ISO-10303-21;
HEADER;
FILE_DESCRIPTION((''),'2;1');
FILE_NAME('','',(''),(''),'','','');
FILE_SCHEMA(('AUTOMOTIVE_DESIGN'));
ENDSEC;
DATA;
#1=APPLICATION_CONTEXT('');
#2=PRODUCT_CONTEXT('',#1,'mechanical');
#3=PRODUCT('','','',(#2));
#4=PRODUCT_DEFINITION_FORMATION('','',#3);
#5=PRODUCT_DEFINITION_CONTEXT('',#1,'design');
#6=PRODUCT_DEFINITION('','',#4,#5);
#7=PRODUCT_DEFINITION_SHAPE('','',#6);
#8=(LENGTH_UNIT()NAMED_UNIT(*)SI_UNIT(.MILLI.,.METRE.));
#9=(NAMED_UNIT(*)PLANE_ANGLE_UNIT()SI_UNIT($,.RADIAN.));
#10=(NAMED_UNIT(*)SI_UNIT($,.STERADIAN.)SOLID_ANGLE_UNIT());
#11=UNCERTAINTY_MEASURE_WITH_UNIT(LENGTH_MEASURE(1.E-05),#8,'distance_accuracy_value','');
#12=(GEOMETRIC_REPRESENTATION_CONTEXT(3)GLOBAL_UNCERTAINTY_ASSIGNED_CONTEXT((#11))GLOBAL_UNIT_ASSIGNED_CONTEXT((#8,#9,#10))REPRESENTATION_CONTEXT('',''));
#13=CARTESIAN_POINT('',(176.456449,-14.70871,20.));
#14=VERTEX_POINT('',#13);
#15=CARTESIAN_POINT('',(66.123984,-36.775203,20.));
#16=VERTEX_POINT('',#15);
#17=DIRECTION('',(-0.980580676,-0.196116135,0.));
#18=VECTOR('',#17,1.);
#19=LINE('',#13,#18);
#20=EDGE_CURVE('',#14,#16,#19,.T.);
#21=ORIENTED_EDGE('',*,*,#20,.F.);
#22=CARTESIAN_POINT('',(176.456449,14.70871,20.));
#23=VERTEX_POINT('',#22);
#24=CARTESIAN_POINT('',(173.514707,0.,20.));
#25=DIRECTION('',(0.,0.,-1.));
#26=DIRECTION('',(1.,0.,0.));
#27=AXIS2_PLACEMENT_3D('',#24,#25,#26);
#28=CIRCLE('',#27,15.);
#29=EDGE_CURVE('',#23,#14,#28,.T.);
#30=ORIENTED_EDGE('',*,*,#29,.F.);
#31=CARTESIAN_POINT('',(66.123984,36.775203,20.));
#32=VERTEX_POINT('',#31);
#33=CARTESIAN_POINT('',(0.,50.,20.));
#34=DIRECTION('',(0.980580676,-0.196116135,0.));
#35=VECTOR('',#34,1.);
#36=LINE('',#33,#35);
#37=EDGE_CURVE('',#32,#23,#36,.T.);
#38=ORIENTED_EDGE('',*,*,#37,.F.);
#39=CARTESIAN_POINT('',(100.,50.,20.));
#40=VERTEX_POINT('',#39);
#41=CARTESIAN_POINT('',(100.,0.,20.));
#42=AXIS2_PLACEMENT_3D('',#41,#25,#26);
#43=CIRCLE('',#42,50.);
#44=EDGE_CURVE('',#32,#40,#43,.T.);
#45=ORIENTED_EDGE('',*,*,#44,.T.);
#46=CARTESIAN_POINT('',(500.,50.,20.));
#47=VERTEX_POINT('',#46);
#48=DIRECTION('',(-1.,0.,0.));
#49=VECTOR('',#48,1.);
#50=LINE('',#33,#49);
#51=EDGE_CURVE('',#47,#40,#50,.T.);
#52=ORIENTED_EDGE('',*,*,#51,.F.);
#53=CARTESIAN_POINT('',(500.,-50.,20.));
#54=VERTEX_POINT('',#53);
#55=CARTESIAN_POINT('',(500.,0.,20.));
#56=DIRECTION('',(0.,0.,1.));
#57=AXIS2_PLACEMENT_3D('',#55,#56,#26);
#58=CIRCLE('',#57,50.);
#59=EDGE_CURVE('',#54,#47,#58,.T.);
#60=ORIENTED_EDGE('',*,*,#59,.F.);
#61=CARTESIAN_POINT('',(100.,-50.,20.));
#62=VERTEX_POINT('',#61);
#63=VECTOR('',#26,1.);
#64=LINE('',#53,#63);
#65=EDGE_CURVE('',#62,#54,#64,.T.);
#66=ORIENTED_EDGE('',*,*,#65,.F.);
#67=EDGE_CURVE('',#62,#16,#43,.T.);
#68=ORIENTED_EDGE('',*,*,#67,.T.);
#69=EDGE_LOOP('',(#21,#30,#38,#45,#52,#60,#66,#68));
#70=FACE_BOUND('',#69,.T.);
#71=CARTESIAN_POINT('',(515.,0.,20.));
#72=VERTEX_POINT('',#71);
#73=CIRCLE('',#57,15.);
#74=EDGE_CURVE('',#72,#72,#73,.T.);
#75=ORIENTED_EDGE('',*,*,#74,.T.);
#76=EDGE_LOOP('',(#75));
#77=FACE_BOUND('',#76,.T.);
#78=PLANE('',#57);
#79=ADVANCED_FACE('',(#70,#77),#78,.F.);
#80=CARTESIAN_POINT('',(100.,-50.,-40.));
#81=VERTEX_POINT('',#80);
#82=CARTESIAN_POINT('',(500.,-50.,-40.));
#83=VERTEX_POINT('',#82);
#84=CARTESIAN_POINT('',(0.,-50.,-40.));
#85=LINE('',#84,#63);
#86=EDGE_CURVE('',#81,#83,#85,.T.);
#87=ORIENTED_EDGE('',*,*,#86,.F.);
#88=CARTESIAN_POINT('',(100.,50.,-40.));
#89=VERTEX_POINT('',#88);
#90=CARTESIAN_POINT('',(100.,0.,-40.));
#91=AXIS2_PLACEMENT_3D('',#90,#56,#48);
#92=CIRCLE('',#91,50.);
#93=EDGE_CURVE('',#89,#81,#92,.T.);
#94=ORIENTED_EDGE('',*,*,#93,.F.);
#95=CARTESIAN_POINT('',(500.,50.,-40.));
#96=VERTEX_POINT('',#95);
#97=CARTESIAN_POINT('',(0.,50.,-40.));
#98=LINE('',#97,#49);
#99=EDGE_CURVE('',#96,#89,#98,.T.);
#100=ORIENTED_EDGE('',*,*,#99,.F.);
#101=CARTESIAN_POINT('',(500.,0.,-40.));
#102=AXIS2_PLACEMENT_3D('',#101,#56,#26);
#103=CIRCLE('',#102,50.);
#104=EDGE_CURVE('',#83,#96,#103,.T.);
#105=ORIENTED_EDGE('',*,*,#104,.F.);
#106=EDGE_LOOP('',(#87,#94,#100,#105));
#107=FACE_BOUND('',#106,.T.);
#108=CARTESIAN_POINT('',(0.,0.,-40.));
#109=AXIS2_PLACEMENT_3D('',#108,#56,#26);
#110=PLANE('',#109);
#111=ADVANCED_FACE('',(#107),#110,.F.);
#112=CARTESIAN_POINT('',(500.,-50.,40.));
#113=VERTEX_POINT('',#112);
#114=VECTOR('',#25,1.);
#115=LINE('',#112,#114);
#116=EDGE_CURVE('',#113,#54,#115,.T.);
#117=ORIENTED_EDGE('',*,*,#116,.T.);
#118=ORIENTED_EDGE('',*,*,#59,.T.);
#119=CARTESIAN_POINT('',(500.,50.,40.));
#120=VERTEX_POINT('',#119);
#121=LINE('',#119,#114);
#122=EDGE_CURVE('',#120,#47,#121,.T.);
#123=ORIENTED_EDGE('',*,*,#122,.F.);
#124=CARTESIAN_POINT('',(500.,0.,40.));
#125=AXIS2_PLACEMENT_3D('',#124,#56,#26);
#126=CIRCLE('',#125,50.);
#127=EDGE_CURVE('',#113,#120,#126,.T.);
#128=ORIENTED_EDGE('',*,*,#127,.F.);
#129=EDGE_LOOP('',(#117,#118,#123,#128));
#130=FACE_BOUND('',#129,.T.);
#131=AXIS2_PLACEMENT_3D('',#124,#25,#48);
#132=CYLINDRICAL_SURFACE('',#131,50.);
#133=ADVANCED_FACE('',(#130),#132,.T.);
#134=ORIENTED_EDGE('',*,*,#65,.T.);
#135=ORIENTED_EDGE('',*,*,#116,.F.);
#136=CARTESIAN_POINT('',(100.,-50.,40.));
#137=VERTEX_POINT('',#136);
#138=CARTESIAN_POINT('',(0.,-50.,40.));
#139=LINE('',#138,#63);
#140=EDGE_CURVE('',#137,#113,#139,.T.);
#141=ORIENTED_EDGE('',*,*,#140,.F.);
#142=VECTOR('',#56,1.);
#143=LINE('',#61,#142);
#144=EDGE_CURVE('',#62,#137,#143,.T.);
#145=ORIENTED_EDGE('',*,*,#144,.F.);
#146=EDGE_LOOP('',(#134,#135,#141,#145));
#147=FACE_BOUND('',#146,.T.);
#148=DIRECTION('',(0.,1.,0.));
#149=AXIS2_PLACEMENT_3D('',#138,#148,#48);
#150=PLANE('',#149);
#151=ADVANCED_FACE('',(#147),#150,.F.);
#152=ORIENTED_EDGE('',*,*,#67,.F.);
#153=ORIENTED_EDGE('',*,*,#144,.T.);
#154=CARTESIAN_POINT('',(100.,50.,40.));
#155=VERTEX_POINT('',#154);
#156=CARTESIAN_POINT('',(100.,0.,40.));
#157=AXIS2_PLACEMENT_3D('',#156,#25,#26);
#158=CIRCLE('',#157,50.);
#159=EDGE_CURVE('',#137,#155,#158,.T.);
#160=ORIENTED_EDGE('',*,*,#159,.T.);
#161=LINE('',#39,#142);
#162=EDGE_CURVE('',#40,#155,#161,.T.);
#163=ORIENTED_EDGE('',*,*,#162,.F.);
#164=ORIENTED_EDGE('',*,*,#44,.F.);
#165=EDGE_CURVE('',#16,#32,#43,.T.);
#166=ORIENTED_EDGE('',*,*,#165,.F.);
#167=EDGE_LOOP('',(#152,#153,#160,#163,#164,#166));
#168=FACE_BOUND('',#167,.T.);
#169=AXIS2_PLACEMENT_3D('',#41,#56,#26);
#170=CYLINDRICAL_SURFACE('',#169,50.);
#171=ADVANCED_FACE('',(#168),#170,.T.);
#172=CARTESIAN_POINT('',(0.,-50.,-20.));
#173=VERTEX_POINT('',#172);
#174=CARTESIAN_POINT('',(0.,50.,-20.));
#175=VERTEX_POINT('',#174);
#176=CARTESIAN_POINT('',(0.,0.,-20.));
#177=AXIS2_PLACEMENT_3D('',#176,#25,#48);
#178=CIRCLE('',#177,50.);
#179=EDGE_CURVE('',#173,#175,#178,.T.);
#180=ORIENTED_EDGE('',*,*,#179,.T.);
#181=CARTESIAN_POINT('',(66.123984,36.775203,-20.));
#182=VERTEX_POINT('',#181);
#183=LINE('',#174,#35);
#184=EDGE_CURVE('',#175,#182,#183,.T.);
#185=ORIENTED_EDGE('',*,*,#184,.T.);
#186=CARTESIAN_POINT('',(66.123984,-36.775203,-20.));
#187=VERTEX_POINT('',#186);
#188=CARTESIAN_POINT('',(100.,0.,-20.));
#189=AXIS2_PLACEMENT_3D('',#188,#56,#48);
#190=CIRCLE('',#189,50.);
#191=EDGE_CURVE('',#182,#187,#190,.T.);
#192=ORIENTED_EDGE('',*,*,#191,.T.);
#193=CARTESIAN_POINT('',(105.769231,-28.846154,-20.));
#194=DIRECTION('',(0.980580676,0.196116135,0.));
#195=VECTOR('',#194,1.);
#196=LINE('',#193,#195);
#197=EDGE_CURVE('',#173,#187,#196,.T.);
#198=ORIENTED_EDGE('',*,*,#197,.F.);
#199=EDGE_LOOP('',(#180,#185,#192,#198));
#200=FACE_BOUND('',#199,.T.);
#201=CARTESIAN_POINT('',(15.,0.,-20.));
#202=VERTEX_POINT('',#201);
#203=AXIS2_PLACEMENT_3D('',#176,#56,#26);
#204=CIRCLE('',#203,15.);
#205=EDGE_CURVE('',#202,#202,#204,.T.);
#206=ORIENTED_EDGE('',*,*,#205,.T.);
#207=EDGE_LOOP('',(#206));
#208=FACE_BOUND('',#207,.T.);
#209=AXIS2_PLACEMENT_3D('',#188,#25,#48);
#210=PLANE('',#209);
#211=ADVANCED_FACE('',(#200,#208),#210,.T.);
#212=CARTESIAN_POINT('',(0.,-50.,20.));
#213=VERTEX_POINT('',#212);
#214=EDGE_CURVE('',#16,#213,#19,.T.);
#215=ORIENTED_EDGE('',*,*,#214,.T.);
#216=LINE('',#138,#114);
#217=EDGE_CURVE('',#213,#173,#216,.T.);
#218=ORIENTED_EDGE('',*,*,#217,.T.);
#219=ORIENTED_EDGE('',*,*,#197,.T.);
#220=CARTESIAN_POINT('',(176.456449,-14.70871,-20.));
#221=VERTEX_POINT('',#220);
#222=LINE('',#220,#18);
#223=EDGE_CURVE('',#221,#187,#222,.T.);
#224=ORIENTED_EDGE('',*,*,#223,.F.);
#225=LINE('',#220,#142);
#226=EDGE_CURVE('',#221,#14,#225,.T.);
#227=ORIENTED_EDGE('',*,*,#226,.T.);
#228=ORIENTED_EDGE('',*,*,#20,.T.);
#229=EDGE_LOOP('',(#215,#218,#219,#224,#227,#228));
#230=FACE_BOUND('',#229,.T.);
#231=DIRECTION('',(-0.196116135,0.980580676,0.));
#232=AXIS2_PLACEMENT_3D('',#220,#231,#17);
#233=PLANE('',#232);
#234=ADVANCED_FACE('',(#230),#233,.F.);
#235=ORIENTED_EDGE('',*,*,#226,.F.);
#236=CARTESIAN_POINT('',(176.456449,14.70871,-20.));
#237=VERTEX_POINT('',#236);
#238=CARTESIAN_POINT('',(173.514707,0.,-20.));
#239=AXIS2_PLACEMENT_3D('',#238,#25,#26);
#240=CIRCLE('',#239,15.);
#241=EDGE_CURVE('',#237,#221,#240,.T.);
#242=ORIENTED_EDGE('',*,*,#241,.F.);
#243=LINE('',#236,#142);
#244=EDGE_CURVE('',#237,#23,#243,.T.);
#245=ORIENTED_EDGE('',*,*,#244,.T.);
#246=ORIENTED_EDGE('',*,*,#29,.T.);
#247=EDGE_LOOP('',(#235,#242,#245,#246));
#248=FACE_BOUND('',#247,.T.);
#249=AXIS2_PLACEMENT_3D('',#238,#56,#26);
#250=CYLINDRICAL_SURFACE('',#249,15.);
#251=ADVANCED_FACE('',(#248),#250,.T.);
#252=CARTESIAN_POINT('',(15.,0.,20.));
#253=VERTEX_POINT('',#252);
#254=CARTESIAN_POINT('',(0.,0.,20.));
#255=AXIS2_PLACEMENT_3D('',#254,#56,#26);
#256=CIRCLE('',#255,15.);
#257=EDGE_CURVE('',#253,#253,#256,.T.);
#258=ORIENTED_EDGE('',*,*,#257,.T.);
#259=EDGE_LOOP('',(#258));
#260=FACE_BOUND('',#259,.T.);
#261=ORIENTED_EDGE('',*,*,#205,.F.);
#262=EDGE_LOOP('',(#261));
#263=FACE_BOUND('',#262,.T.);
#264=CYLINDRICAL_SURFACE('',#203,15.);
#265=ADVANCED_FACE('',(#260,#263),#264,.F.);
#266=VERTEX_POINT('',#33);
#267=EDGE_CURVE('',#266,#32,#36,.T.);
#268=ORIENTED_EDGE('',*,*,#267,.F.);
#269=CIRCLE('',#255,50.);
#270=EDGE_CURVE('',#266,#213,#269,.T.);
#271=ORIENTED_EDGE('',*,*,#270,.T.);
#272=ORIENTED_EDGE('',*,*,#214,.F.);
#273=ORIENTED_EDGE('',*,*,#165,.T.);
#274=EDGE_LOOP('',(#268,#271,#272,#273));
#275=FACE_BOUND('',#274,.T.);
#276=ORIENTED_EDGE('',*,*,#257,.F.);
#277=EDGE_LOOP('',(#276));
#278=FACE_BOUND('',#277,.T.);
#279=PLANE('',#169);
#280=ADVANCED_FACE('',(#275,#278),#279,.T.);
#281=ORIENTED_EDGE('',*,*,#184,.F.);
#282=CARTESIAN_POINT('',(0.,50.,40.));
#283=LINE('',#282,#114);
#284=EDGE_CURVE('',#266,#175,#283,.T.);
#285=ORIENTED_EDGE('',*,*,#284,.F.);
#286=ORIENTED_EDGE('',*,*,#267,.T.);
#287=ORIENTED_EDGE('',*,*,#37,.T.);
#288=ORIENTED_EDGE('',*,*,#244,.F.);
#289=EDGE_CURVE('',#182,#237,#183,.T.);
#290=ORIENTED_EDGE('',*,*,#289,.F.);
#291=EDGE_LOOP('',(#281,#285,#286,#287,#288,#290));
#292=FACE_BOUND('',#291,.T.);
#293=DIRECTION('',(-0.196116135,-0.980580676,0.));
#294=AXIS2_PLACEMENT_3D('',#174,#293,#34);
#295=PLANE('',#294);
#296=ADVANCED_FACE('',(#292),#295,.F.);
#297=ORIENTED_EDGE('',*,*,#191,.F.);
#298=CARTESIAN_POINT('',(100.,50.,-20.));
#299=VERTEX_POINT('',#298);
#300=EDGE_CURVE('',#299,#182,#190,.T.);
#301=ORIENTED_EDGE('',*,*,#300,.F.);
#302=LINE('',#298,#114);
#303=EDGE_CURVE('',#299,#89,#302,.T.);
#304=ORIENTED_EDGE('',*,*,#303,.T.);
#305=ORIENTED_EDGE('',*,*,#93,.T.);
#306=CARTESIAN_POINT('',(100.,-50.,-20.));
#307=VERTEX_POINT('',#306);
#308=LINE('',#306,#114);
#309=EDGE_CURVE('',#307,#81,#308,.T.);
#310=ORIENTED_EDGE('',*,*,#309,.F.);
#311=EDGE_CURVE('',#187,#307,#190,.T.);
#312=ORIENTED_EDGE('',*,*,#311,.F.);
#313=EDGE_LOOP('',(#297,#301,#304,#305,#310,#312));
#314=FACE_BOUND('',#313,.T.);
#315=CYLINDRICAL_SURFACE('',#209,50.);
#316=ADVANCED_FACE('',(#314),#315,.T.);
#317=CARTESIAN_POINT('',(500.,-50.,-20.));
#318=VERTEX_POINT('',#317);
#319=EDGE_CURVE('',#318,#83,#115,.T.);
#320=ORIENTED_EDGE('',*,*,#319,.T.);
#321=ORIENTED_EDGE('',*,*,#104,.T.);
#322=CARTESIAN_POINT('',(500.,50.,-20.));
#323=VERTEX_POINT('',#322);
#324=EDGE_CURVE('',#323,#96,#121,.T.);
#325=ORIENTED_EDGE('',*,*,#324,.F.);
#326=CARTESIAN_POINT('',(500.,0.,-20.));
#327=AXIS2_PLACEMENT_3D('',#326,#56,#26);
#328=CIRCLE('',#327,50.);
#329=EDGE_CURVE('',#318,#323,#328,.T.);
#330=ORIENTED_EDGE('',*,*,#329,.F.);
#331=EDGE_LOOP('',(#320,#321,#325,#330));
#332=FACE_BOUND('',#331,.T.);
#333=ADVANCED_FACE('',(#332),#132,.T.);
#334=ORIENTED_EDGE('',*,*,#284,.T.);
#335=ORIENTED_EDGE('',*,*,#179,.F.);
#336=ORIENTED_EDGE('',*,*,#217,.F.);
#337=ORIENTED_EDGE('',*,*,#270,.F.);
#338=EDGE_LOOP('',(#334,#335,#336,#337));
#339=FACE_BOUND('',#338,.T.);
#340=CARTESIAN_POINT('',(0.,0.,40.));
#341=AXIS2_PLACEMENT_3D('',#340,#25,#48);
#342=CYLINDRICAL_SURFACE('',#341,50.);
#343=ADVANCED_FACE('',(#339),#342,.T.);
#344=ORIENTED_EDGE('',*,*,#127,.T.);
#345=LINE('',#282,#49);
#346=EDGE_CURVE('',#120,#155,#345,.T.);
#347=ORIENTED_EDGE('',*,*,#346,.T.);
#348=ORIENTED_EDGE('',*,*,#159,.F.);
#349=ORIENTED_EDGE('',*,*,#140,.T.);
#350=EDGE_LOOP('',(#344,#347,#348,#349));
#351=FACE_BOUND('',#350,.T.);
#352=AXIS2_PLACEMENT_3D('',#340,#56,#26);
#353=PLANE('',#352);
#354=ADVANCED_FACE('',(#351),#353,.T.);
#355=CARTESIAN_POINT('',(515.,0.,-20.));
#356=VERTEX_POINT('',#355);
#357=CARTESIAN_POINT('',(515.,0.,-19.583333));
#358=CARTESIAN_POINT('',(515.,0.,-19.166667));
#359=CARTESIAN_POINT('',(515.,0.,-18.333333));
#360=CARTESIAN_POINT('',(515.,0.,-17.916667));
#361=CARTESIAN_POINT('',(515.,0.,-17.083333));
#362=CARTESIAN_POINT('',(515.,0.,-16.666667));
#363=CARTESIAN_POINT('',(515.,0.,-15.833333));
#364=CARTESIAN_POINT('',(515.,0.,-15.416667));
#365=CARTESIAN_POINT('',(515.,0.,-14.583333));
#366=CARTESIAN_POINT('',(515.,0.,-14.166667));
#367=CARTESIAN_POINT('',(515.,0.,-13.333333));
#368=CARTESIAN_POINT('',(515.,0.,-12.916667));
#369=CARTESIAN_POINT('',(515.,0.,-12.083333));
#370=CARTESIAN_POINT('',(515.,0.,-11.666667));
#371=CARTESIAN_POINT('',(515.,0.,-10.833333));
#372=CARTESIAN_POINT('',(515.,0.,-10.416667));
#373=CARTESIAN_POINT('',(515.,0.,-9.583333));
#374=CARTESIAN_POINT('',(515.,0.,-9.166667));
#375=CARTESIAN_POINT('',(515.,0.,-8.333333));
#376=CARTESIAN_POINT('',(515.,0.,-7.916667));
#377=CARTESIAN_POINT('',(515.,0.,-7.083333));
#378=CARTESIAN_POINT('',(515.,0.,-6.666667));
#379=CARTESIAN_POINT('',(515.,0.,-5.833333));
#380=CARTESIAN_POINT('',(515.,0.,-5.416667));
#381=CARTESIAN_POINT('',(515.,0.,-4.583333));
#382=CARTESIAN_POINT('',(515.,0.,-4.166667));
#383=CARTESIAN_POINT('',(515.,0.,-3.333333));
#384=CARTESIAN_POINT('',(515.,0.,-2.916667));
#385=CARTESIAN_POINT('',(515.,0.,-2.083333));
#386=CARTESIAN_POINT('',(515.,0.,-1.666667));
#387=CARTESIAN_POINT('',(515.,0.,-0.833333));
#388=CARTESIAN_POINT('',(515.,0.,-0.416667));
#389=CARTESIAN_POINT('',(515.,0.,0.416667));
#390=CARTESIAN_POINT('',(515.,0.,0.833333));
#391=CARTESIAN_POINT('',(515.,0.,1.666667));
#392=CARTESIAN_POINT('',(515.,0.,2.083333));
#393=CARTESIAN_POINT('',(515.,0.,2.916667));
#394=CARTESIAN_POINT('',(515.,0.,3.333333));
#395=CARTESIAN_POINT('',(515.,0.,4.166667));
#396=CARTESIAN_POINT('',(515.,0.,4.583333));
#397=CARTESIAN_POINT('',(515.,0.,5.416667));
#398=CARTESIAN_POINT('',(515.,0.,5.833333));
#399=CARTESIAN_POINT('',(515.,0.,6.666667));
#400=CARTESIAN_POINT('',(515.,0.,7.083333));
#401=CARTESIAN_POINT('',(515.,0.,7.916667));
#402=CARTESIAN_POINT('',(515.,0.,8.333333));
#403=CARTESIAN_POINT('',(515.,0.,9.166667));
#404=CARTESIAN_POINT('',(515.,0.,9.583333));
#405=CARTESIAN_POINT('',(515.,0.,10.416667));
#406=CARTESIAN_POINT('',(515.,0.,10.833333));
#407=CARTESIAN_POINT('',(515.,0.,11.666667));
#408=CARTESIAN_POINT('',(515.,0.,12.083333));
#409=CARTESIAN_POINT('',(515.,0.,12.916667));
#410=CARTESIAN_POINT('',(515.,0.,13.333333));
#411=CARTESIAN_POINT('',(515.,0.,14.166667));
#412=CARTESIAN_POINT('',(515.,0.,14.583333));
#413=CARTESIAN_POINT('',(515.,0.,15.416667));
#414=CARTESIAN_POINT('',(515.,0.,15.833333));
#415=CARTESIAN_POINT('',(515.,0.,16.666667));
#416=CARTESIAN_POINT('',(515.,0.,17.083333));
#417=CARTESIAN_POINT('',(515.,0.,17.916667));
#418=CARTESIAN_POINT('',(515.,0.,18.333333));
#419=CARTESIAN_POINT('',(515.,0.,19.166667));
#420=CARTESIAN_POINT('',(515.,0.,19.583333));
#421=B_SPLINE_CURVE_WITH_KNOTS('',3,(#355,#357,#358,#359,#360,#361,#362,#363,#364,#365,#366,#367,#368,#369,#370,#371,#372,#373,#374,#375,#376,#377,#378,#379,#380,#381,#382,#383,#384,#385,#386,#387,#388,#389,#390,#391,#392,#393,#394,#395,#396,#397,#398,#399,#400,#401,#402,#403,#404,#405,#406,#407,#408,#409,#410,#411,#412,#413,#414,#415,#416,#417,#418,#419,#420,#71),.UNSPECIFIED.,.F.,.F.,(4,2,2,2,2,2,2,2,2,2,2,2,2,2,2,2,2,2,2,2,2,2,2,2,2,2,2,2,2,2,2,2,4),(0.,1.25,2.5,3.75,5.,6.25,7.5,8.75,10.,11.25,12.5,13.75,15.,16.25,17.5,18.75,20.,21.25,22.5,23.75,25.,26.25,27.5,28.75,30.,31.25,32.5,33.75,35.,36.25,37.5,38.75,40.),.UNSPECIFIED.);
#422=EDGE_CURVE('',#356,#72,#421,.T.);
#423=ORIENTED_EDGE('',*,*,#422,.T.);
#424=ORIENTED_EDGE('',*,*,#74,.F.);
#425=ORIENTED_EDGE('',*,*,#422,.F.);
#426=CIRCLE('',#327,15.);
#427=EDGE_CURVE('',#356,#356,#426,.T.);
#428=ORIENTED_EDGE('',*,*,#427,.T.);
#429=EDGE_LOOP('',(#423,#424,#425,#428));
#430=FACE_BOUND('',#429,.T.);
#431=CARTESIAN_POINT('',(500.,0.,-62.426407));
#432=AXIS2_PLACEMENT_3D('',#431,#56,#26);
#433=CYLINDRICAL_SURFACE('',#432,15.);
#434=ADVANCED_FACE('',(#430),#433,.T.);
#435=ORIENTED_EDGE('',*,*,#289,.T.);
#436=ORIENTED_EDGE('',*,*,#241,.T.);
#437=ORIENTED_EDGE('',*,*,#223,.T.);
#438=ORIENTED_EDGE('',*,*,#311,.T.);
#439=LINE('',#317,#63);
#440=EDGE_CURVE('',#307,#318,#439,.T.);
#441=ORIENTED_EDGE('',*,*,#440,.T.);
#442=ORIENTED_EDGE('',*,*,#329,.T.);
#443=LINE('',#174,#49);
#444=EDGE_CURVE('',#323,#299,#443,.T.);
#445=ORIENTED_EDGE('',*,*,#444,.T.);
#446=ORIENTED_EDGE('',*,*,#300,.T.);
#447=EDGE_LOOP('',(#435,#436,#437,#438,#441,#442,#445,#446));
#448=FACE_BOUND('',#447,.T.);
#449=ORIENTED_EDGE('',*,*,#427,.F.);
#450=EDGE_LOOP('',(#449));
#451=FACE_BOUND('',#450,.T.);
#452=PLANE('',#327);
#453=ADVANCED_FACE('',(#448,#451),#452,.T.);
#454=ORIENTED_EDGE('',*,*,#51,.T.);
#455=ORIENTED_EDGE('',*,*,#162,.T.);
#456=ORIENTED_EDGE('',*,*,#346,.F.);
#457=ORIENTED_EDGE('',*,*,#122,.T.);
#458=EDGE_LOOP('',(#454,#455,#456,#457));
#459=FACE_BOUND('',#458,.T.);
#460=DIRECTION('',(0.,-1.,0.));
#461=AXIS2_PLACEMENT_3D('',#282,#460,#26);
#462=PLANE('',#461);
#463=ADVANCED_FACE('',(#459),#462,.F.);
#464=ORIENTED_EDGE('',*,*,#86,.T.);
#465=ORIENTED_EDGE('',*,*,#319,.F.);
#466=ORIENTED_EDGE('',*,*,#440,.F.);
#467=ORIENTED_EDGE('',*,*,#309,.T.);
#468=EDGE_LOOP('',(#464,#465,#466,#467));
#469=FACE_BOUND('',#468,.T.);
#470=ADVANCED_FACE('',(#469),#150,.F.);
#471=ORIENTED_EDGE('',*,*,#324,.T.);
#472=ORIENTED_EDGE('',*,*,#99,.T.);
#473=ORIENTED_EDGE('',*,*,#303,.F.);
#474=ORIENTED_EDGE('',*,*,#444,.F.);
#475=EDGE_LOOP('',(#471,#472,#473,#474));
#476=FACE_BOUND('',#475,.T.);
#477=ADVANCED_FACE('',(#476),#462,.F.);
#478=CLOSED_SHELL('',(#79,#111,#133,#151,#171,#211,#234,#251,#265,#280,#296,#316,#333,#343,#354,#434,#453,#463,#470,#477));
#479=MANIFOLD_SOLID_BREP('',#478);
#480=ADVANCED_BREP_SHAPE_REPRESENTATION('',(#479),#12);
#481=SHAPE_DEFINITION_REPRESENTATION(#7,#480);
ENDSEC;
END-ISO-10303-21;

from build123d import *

# Parameters (mm, degrees)
BOSS_EXTRUDE2_DEPTH = 40
CUT_EXTRUDE2_DEPTH  = 20
CUT_EXTRUDE3_START  = -20
CUT_EXTRUDE3_DEPTH  = 20
SKETCH9_R           = 15
CUT_EXTRUDE5_DEPTH  = 40
CUT_EXTRUDE6_DEPTH  = 20
SKETCH13_R          = 15
BOSS_EXTRUDE4_DEPTH = 60
SKETCH11_R          = 15
BOSS_EXTRUDE3_DEPTH = 80


with BuildPart() as part:
    # Sketch4 → Boss-Extrude2 (new, symmetric)
    with BuildSketch(Plane.XY):
        with BuildLine():
            Line((-250, 50), (250, 50))
            ThreePointArc((250, 50), (300, 0), (250, -50))
            Line((250, -50), (-250, -50))
            ThreePointArc((-250, -50), (-300, 0), (-250, 50))
        make_face()
    extrude(amount=BOSS_EXTRUDE2_DEPTH, both=True)

    # Sketch5 → Cut-Extrude2 (cut)
    with BuildSketch(Plane.XY.offset(40)):
        with BuildLine():
            Line((-150, 50), (-250, 50))
            ThreePointArc((-250, 50), (-300, 0), (-250, -50))
            Line((-250, -50), (-150, -50))
            ThreePointArc((-150, -50), (-200, 0), (-150, 50))
        make_face()
    extrude(amount=-CUT_EXTRUDE2_DEPTH, mode=Mode.SUBTRACT)

    # Sketch6 → Cut-Extrude3 (cut)
    with BuildSketch(Plane(origin=(0, 0, -40), x_dir=(-1, 0, 0), z_dir=(0, 0, -1)).offset(CUT_EXTRUDE3_START)):
        with BuildLine():
            Line((150, 50), (250, 50))
            ThreePointArc((250, 50), (300, 0), (250, -50))
            Line((250, -50), (150, -50))
            ThreePointArc((150, -50), (200, 0), (150, 50))
        make_face()
    extrude(amount=CUT_EXTRUDE3_DEPTH, mode=Mode.SUBTRACT)

    # Sketch9 → Cut-Extrude5 (cut)
    with BuildSketch(Plane.XY.offset(20)):
        with Locations((-250, 0)):
            Circle(SKETCH9_R)
    extrude(amount=-CUT_EXTRUDE5_DEPTH, mode=Mode.SUBTRACT)

    # Sketch10 → Cut-Extrude6 (cut, symmetric)
    with BuildSketch(Plane.XY):
        with BuildLine():
            Line((-250, 50), (-73.543550677, 14.708710135))
            ThreePointArc((-73.543550677, 14.708710135), (-61.485292704, 0), (-73.543550677, -14.708710135))
            Line((-73.543550677, -14.708710135), (-250, -50))
            Line((-250, -50), (250, -50))
            ThreePointArc((250, -50), (300, 0), (250, 50))
            Line((250, 50), (-250, 50))
        make_face()
    extrude(amount=CUT_EXTRUDE6_DEPTH, both=True, mode=Mode.SUBTRACT)

    # Sketch13 → Boss-Extrude4 (add)
    with BuildSketch(Plane.XY.offset(40)):
        with Locations((250, 0)):
            Circle(SKETCH13_R)
    extrude(amount=-BOSS_EXTRUDE4_DEPTH)

    # Sketch11 → Boss-Extrude3 (add)
    with BuildSketch(Plane.XY.offset(40)):
        with Locations((250, 0)):
            Circle(SKETCH11_R)
    extrude(amount=-BOSS_EXTRUDE3_DEPTH)


with BuildPart() as part_1:
    # Body-Move/Copy1: moved
    add(part.part.moved(Location((250, 0, 0))))


solid = part_1.part
